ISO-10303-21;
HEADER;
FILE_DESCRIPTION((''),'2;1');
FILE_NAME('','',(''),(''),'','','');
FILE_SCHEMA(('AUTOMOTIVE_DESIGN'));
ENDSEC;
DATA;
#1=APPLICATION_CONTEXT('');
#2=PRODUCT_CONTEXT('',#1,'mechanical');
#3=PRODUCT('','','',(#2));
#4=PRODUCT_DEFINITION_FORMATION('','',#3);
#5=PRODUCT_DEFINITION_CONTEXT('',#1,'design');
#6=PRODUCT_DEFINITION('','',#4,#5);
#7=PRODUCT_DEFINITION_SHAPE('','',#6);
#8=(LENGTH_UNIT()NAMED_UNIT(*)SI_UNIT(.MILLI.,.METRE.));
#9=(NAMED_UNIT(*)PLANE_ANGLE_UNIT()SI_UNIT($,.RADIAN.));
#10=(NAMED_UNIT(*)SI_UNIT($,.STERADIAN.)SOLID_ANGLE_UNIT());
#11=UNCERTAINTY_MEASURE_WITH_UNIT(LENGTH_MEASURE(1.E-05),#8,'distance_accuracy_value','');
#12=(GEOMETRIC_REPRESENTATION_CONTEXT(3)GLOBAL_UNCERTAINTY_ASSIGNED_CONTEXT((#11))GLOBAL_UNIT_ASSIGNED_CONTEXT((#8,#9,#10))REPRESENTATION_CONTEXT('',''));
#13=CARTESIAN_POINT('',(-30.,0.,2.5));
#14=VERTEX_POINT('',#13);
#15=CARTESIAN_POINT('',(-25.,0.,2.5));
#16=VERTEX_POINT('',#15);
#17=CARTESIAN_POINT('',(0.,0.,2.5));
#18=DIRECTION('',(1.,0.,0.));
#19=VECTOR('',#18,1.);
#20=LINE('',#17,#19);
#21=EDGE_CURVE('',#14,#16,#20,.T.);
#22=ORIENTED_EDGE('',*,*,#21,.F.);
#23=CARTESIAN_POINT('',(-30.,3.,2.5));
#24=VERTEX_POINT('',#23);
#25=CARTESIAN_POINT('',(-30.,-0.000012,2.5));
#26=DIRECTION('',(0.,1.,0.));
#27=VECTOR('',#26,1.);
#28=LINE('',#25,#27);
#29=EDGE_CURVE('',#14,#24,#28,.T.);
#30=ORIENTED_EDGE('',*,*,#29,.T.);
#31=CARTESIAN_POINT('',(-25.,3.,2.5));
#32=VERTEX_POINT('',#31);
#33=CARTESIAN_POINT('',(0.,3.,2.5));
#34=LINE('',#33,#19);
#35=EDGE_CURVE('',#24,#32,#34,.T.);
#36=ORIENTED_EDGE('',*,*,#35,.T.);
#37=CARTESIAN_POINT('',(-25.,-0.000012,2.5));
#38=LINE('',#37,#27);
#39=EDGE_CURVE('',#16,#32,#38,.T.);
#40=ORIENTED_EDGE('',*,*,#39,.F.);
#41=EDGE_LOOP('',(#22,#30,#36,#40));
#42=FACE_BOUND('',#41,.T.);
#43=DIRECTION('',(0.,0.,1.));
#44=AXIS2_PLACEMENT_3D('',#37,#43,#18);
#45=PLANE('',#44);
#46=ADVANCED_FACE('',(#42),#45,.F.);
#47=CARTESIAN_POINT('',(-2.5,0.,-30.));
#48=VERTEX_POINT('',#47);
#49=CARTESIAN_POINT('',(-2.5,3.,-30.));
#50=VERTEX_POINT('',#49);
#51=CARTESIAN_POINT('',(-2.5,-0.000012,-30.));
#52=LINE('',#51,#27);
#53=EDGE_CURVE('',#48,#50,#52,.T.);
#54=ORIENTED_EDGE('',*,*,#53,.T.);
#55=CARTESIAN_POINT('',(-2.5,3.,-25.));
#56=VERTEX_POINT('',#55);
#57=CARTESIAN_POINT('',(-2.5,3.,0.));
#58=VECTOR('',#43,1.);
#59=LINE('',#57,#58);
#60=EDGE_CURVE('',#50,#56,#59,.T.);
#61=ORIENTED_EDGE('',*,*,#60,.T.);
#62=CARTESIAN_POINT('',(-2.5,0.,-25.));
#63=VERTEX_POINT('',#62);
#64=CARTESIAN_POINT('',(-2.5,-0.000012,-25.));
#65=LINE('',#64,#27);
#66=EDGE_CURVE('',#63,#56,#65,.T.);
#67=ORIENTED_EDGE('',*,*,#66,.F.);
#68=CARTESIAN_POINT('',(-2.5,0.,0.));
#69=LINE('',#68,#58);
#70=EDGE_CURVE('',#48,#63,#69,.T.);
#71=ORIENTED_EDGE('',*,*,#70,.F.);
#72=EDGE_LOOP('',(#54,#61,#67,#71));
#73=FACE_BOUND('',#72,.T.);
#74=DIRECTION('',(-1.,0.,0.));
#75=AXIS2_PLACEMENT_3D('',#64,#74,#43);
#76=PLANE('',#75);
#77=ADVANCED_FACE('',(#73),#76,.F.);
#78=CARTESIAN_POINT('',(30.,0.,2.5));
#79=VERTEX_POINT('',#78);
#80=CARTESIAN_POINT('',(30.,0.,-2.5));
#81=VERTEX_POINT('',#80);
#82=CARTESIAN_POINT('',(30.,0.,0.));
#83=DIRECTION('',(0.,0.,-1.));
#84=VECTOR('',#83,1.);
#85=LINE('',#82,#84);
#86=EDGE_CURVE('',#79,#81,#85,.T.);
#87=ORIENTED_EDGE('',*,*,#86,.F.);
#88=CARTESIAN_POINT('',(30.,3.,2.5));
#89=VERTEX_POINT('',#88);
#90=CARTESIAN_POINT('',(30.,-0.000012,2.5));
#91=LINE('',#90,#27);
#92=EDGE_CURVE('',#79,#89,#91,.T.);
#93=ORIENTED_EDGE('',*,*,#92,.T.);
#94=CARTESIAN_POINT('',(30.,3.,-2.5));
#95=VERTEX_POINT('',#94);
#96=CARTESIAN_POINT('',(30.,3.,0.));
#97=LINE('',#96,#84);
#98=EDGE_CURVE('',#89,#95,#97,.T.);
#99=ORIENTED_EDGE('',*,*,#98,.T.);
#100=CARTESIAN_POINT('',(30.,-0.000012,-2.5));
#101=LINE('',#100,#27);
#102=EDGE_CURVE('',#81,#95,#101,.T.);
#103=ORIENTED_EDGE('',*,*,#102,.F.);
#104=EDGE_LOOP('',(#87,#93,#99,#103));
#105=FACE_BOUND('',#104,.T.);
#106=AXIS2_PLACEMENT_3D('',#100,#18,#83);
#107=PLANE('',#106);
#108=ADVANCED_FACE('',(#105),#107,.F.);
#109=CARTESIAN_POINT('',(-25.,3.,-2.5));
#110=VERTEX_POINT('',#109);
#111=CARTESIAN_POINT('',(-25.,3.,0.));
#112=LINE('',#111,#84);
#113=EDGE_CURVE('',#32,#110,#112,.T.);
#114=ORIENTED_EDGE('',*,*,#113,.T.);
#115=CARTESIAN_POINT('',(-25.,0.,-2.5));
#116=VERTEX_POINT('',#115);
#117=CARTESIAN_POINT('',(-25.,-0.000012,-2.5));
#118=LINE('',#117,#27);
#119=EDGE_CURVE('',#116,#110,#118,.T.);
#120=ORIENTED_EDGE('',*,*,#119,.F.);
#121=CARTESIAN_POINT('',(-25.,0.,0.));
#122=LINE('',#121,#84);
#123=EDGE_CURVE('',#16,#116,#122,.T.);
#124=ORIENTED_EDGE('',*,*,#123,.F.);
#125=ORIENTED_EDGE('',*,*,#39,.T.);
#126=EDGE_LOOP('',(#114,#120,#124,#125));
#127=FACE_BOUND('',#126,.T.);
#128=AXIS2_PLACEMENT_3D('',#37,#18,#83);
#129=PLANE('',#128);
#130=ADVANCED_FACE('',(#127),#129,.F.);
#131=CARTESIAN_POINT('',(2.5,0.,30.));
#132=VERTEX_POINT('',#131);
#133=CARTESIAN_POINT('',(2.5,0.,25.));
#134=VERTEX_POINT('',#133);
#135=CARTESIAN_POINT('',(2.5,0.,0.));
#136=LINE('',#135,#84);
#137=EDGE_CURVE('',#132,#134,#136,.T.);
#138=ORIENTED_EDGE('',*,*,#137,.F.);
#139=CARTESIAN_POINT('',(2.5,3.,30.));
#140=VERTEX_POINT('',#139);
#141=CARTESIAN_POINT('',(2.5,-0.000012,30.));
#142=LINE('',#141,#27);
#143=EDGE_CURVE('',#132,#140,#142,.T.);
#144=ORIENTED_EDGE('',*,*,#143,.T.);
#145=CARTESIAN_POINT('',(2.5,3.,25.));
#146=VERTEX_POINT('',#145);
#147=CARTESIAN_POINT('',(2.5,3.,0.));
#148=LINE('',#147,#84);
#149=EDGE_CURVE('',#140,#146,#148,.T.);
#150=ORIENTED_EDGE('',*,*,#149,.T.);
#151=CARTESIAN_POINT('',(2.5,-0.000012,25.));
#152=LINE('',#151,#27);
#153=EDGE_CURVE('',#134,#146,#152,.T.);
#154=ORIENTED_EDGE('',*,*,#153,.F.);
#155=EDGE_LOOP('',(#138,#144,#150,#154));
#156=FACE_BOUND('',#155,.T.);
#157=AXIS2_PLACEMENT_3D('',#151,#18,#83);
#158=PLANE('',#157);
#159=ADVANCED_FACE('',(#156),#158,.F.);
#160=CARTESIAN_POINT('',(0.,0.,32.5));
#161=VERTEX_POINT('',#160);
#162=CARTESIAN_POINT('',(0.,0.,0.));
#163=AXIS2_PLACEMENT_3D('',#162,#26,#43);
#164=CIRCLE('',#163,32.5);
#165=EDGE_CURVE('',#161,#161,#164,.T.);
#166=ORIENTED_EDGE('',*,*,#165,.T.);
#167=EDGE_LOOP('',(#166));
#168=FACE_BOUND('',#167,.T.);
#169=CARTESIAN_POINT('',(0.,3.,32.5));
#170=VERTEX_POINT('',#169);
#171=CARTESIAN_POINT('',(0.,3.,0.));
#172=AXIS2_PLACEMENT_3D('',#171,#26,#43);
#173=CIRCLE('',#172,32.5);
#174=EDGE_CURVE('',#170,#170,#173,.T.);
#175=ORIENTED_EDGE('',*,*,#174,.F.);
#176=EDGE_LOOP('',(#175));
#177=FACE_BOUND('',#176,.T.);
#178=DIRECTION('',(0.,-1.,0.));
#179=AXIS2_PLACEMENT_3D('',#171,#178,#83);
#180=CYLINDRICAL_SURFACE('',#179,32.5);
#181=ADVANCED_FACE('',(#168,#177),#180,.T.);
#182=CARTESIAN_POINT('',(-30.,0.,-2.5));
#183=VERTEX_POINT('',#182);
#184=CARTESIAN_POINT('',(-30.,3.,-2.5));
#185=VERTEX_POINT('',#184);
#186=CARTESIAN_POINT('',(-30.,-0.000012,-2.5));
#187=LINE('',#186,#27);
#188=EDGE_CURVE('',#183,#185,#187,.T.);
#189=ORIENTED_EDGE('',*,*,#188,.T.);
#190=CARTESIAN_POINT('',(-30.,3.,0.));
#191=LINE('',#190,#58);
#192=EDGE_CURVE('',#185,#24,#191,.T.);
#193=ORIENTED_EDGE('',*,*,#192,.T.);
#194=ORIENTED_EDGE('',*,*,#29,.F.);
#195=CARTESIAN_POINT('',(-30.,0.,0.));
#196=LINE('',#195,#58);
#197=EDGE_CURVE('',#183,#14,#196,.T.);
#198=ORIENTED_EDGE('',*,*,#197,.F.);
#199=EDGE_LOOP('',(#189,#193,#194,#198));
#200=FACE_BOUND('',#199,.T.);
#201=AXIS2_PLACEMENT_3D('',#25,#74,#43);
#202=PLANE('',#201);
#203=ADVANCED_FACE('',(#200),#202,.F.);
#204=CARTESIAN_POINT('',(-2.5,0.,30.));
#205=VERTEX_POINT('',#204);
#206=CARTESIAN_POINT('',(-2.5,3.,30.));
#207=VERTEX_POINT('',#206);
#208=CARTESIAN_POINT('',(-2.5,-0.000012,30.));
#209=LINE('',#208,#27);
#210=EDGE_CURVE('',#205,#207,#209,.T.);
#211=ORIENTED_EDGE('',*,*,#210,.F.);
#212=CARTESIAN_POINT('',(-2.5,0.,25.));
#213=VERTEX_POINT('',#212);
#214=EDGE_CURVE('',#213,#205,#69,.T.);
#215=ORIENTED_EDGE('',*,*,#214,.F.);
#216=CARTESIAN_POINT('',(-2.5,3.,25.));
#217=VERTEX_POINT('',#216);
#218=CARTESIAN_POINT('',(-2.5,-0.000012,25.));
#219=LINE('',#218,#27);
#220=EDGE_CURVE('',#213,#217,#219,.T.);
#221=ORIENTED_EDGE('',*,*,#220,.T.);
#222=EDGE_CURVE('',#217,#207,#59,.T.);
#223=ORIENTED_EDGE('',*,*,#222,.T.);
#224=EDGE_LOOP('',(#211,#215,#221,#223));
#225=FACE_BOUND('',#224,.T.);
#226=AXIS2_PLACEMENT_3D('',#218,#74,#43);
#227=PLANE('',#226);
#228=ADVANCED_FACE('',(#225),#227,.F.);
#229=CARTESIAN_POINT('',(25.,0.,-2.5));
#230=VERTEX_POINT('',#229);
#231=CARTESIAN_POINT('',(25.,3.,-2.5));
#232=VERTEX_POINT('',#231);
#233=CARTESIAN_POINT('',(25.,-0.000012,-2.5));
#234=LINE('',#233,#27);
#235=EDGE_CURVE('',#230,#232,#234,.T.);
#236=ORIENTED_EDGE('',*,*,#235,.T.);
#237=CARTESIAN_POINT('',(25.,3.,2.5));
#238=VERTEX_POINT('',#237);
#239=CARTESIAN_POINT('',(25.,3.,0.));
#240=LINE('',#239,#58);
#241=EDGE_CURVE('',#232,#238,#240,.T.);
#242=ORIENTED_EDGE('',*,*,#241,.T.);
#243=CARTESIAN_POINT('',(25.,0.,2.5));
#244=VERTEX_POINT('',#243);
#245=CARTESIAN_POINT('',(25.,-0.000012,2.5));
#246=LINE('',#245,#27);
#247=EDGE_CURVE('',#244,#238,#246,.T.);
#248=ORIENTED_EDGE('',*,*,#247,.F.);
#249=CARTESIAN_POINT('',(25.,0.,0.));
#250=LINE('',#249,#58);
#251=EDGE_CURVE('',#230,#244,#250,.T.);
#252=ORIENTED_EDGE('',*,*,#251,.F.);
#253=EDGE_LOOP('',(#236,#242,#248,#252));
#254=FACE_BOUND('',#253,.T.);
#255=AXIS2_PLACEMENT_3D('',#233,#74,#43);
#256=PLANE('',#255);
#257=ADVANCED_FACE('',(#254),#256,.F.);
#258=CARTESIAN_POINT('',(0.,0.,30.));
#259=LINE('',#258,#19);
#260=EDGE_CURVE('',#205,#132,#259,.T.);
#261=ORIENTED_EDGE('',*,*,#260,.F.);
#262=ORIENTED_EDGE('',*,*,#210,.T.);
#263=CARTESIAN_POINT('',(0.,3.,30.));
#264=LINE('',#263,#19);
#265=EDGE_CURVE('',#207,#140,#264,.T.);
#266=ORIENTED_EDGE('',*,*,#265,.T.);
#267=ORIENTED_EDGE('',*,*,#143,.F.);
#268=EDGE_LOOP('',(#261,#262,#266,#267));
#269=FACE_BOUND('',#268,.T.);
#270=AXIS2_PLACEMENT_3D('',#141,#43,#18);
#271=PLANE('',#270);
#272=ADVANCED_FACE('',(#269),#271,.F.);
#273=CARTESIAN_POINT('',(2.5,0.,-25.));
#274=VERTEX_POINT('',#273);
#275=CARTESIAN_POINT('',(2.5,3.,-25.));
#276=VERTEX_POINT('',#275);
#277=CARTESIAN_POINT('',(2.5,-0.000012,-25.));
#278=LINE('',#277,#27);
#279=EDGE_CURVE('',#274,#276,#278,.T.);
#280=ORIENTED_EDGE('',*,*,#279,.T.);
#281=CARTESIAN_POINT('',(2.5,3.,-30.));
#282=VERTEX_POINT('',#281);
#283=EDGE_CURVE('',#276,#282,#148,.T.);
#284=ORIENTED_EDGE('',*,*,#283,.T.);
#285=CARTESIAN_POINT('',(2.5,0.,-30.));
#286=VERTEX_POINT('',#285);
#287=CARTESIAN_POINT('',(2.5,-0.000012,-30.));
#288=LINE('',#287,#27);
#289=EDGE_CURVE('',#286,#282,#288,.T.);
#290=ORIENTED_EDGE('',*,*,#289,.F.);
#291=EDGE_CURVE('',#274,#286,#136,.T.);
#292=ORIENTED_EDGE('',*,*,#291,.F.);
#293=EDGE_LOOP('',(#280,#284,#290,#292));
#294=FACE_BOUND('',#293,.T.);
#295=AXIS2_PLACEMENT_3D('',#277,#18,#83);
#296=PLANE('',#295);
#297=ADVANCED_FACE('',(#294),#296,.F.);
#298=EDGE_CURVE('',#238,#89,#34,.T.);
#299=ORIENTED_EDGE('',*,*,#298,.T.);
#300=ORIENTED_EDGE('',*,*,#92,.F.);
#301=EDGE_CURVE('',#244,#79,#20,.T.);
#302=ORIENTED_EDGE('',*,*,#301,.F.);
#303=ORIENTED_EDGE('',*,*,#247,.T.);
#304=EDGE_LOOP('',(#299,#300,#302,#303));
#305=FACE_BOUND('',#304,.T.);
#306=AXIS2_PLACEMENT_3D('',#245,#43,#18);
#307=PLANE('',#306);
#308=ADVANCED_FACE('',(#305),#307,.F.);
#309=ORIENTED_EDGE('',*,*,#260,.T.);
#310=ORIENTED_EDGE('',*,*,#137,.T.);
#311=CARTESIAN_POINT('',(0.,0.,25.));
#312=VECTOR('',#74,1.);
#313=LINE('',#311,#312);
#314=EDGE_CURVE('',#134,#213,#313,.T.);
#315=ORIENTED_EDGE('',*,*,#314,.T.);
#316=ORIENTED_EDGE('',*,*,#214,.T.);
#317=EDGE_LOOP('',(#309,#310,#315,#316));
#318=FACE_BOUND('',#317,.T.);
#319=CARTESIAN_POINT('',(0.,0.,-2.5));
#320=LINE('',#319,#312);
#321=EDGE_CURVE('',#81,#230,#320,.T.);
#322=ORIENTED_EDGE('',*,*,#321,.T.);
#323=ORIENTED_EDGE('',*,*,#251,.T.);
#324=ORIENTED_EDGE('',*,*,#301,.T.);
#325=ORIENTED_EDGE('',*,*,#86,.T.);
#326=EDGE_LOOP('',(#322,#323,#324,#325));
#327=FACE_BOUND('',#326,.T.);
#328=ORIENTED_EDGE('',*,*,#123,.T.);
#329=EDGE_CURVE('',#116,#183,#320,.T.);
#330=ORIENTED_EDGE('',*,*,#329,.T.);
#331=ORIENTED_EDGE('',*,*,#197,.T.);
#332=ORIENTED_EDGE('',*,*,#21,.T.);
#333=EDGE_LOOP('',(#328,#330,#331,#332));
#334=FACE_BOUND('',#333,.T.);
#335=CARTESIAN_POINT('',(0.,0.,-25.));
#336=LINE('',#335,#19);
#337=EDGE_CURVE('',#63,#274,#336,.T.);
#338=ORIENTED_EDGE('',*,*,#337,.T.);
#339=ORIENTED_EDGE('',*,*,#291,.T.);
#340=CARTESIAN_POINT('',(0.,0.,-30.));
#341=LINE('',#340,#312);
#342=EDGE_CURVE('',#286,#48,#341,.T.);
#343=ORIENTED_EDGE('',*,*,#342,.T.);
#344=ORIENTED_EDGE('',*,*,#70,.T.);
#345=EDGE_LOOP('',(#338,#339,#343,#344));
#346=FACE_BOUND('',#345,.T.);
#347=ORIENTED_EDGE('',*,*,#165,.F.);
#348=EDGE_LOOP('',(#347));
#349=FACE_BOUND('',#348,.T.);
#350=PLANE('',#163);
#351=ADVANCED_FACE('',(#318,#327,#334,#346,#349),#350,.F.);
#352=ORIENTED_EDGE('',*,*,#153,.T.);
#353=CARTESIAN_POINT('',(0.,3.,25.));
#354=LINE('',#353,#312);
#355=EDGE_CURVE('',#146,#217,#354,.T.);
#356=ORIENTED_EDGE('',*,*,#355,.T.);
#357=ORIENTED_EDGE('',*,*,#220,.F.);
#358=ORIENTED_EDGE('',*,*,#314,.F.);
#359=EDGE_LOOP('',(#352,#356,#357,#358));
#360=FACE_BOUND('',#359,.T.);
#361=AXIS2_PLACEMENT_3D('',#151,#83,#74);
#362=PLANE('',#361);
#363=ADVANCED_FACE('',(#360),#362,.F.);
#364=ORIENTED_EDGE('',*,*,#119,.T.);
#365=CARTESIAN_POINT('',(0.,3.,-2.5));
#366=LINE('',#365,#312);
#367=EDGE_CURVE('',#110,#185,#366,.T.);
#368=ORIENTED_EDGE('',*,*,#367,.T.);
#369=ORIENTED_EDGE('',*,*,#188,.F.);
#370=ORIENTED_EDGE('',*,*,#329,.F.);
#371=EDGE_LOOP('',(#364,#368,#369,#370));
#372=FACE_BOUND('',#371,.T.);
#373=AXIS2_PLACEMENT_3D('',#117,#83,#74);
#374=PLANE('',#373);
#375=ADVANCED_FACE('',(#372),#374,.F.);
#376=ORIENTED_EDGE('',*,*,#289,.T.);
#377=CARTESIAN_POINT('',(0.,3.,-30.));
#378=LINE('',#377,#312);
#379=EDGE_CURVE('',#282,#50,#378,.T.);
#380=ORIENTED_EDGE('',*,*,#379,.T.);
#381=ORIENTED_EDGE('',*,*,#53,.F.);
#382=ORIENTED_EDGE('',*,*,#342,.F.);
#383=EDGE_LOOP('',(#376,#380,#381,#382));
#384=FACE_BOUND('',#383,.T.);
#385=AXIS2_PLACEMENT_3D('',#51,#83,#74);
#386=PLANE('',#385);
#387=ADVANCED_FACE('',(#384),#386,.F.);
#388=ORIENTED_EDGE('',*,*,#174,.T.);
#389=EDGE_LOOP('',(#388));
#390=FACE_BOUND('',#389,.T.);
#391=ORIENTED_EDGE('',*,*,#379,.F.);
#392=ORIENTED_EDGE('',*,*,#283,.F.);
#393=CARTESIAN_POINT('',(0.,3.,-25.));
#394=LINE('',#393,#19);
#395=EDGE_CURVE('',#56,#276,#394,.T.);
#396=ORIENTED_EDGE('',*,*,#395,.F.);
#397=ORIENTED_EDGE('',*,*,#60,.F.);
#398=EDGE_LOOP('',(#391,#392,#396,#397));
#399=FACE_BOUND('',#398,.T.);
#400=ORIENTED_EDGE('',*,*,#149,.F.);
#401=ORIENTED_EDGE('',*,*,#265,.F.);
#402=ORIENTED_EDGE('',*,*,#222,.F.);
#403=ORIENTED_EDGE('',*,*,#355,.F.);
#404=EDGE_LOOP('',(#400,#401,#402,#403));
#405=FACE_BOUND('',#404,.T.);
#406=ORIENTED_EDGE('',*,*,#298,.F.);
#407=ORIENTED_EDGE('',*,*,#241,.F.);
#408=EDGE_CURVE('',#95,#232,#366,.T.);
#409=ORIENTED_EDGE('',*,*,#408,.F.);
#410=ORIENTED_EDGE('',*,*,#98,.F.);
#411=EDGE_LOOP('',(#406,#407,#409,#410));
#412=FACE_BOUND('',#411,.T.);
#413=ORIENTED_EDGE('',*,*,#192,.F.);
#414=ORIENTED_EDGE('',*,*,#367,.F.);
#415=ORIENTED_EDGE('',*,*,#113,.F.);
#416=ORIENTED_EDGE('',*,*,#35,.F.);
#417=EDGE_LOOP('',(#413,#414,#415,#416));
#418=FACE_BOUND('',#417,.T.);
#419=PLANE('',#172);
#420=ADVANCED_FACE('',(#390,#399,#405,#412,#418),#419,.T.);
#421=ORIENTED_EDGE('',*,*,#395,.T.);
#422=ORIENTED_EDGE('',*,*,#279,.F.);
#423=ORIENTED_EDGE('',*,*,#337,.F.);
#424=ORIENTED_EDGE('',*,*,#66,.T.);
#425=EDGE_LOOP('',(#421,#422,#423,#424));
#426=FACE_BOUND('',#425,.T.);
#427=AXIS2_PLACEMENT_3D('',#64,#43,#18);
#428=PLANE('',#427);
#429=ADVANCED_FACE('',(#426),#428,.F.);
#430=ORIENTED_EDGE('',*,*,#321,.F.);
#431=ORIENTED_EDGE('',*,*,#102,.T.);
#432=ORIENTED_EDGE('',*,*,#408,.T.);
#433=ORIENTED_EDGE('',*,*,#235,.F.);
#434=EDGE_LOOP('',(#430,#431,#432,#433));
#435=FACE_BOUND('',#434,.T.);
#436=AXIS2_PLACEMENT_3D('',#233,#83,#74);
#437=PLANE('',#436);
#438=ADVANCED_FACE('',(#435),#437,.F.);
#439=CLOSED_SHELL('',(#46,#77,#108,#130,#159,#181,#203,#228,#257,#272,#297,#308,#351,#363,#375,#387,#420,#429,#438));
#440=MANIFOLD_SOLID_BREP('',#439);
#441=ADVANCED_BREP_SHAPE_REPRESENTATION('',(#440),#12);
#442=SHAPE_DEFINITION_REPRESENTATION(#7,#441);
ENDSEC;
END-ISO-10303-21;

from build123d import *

# Parameters (mm, degrees)
SKETCH1_R               = 32.5
BOSS_EXTRUDE1_DEPTH     = 3
CUT_EXTRUDE1_DEPTH      = 10
CUT_EXTRUDE1_DEPTH_BACK = 47.059743812
SKETCH2_W               = 5
SKETCH2_H               = 5


with BuildPart() as part:
    # Sketch1 → Boss-Extrude1 (new body)
    with BuildSketch(Plane(origin=(0, 0, 0), x_dir=(1, 0, 0), z_dir=(0, 1, 0))):
        with Locations(Location((0, 0, 0), (0, 0, 270))):
            Circle(SKETCH1_R)
    extrude(amount=BOSS_EXTRUDE1_DEPTH)

    # Sketch2 → Cut-Extrude1 (cut, two sides: drawn at the far end of the back side and taken through both)
    with BuildSketch(Plane(origin=(0, 0, 0), x_dir=(1, 0, 0), z_dir=(0, 1, 0)).offset(-CUT_EXTRUDE1_DEPTH_BACK)):
        with Locations((0, -27.5)):
            Rectangle(SKETCH2_W, SKETCH2_H)
        with Locations((27.5, 0)):
            Rectangle(SKETCH2_W, SKETCH2_H)
        with Locations((-27.5, 0)):
            Rectangle(SKETCH2_W, SKETCH2_H)
        with Locations((0, 27.5)):
            Rectangle(SKETCH2_W, SKETCH2_H)
    extrude(amount=CUT_EXTRUDE1_DEPTH + CUT_EXTRUDE1_DEPTH_BACK, mode=Mode.SUBTRACT)


solid = part.part
